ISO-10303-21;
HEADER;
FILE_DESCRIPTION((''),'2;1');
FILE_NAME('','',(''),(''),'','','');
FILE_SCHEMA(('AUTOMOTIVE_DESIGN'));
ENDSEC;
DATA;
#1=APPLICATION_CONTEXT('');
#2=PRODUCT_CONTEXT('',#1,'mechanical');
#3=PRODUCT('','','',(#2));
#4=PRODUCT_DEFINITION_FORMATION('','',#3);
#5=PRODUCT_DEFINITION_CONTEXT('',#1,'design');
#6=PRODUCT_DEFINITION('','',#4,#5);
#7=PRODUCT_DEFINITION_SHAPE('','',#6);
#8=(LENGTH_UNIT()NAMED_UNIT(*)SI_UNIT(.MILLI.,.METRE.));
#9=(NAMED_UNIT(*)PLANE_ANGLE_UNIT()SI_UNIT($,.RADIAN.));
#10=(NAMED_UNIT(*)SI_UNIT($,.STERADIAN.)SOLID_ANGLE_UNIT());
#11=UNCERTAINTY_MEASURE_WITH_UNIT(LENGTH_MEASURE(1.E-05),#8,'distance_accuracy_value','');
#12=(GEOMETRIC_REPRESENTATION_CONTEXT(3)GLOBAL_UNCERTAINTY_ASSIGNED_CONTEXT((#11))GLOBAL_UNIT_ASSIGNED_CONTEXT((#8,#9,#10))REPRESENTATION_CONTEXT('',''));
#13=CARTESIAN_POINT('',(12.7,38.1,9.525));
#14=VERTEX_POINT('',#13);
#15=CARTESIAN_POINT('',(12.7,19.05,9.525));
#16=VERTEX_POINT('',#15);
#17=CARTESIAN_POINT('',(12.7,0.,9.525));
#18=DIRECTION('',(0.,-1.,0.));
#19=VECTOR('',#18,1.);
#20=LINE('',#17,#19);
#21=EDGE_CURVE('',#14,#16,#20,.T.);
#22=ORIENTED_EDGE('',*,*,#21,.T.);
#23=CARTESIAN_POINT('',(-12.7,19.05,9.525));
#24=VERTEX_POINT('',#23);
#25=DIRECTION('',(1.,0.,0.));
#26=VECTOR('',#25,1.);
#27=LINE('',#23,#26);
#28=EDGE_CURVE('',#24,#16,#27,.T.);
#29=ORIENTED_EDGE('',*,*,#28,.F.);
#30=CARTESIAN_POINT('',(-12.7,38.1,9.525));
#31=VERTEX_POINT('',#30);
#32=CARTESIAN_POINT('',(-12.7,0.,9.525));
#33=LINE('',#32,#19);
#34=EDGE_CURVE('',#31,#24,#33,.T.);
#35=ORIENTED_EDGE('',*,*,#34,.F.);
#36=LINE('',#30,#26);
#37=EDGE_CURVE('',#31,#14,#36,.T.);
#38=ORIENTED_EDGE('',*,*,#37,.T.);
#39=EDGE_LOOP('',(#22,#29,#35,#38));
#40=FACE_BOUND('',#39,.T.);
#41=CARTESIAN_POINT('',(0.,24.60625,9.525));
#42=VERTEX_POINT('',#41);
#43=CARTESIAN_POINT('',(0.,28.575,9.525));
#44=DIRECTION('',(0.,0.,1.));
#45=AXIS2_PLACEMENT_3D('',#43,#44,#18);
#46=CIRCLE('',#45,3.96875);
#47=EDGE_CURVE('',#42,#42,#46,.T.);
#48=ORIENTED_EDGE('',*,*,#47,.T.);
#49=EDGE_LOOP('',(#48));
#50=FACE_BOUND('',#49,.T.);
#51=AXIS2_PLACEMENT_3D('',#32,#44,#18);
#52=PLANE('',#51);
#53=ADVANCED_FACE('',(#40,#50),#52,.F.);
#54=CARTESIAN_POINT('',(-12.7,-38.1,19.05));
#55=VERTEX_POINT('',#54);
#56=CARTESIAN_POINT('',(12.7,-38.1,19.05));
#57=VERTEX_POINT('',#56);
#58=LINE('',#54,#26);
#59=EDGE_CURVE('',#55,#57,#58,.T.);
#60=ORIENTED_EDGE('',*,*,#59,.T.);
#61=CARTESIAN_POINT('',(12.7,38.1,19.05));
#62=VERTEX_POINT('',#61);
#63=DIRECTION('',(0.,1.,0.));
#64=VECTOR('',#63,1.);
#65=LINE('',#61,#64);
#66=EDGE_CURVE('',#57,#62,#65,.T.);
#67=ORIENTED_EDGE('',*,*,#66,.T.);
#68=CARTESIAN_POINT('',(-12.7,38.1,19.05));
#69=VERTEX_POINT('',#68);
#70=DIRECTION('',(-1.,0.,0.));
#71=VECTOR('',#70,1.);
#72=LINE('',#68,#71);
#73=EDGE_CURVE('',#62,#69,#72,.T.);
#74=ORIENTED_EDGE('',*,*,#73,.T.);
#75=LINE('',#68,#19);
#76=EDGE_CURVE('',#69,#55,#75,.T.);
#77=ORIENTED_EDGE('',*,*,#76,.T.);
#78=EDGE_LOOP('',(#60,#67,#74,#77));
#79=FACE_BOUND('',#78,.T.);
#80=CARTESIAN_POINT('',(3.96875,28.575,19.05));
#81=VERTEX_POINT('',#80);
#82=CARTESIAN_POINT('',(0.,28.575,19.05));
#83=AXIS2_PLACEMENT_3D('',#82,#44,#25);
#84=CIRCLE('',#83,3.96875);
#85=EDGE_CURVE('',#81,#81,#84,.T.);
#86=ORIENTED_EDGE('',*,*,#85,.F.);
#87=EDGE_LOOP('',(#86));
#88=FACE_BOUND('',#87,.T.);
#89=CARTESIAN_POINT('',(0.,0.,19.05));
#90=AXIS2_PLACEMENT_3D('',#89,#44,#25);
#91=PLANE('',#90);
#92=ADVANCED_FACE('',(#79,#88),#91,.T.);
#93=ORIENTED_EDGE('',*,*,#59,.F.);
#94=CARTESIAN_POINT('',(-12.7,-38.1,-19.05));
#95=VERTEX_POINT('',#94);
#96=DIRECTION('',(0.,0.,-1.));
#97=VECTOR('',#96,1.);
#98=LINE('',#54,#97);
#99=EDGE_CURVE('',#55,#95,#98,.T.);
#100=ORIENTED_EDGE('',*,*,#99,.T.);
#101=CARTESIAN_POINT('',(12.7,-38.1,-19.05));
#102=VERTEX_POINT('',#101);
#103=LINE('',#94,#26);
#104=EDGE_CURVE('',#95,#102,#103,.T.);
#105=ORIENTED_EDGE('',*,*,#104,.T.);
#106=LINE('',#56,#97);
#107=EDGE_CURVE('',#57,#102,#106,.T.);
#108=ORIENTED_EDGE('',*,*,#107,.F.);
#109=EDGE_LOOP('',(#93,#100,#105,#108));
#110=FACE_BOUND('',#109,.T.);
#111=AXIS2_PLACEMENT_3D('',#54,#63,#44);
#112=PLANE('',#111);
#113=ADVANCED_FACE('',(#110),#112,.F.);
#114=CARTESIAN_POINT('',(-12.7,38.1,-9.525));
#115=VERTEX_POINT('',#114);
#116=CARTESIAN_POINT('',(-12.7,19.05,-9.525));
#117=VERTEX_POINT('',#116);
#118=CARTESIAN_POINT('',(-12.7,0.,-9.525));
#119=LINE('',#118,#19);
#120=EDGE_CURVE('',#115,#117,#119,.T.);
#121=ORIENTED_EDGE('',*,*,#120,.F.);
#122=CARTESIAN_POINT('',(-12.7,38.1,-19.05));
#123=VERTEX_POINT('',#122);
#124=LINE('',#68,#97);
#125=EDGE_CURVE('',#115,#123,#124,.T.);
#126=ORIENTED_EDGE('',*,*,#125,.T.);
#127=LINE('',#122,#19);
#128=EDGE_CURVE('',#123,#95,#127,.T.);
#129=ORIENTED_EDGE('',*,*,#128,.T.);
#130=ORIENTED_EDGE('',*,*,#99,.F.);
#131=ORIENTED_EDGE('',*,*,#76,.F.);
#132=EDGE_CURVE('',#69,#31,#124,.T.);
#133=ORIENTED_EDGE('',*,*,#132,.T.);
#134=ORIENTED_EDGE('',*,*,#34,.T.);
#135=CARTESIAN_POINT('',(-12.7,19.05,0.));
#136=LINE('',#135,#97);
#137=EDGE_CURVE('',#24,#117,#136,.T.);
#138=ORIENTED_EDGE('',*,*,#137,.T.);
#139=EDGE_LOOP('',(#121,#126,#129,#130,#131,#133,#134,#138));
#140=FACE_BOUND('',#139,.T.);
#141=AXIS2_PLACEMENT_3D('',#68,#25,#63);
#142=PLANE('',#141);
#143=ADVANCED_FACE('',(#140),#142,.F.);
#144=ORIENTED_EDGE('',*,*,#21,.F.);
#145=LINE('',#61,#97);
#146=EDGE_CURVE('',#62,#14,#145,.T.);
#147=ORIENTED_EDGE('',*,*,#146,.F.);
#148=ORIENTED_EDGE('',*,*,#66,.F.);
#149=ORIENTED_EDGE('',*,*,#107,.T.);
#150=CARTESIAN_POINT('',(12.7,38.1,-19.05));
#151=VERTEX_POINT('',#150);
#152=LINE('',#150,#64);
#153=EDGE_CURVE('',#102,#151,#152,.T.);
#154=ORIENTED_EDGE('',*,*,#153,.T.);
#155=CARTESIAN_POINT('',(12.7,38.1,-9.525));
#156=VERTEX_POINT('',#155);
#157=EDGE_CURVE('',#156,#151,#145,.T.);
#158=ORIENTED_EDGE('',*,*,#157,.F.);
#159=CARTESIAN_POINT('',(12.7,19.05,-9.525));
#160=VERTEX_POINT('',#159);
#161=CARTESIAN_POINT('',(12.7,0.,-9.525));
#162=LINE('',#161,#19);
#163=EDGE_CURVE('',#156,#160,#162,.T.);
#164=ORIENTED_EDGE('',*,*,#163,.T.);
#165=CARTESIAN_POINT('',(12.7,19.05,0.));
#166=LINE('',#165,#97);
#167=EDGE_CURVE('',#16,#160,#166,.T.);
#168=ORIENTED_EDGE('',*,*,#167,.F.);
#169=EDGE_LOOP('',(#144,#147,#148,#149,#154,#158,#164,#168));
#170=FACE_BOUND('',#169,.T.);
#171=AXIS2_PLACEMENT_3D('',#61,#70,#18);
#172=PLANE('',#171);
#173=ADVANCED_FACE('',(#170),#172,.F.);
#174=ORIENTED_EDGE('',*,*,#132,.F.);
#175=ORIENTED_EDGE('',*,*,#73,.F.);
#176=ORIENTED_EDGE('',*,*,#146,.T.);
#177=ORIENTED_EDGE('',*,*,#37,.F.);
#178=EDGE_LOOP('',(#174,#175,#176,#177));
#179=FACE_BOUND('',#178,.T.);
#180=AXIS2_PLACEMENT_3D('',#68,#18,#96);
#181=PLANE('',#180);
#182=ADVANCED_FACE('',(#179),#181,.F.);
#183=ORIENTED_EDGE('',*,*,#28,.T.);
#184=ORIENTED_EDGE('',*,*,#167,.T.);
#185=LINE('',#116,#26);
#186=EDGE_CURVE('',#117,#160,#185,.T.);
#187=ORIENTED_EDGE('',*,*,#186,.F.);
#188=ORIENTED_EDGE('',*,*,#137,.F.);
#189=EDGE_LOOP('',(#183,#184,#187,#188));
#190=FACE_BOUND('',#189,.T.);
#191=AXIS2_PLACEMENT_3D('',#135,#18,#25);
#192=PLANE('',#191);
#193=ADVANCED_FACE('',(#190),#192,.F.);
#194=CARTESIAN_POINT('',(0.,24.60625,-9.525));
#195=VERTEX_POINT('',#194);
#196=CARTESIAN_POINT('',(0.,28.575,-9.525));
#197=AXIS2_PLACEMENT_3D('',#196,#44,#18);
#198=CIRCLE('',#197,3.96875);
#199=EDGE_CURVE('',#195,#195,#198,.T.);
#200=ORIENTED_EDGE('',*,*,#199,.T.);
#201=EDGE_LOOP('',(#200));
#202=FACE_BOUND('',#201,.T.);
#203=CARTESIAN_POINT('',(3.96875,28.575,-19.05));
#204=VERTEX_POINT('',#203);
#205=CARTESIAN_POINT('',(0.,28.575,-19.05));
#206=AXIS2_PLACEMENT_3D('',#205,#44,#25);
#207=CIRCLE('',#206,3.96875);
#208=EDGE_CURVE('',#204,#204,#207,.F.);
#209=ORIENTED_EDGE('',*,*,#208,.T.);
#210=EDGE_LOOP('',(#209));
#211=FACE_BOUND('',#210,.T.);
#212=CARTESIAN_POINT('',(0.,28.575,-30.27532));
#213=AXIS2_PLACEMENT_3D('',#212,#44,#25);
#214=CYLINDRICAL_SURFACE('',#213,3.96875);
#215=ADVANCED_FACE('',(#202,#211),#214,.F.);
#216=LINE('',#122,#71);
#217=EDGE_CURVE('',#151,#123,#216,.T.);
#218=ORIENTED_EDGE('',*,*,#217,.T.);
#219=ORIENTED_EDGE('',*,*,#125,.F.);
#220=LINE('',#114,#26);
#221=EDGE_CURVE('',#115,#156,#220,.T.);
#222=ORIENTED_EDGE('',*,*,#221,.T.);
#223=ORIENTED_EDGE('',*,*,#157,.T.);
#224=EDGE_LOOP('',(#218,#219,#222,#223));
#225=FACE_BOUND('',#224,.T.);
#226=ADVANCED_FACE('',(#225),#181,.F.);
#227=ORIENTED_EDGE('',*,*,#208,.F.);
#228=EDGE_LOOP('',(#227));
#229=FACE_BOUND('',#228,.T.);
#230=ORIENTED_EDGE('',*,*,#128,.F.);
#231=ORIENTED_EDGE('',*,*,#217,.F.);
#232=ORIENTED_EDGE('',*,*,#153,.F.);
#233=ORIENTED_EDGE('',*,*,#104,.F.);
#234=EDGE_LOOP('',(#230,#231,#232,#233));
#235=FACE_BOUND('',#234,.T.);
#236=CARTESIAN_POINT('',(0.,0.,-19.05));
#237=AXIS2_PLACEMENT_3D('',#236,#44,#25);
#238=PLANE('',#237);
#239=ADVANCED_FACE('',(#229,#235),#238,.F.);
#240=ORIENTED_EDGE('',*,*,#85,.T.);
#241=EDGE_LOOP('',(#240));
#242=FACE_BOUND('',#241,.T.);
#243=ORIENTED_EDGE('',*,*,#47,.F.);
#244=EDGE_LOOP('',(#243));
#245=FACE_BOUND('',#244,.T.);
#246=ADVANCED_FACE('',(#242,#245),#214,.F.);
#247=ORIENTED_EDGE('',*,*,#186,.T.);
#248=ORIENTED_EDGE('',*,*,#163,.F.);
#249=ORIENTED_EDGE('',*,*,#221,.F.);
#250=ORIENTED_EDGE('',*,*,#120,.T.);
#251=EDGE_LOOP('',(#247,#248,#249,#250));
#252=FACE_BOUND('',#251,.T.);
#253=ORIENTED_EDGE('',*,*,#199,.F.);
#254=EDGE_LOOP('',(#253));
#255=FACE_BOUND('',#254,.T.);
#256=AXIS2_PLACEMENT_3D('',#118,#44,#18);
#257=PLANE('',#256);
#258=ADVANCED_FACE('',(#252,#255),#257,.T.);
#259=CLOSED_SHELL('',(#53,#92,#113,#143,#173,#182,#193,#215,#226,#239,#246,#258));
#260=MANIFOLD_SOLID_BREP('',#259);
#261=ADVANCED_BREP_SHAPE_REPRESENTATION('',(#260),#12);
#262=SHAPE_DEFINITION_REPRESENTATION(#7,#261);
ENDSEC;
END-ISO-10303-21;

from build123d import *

# Parameters (mm, degrees)
SKETCH1_W           = 25.4
SKETCH1_H           = 76.2
BOSS_EXTRUDE1_DEPTH = 19.05
SKETCH2_W           = 19.05
SKETCH2_H           = 19.05
CUT_EXTRUDE1_DEPTH  = 50.595085442
CUT_EXTRUDE2_REACH  = 57.358
SKETCH4_R           = 3.96875


with BuildPart() as part:
    # Sketch1 → Boss-Extrude1 (new, symmetric)
    with BuildSketch(Plane.XY):
        Rectangle(SKETCH1_W, SKETCH1_H)
    extrude(amount=BOSS_EXTRUDE1_DEPTH, both=True)

    # Sketch2 → Cut-Extrude1 (cut, through all)
    with BuildSketch(Plane(origin=(12.7, 0, 0), x_dir=(0, 0, -1), z_dir=(1, 0, 0))):
        with Locations((0, 28.575)):
            Rectangle(SKETCH2_W, SKETCH2_H)
    extrude(amount=-CUT_EXTRUDE1_DEPTH, mode=Mode.SUBTRACT)

    # Cut-Extrude2: up to this face of the body (flat: up to its plane)
    cut_extrude2_end = Plane(part.part.faces().sort_by_distance((0, 0, -19.05))[0])
    # Sketch4 → Cut-Extrude2 (cut, up to the picked face)
    with BuildSketch(Plane.XY.offset(19.05), mode=Mode.PRIVATE) as cut_extrude2_sk1:
        with Locations((0, 28.575)):
            Circle(SKETCH4_R)
    cut_extrude2_tool1 = split(extrude(cut_extrude2_sk1.sketch, amount=-CUT_EXTRUDE2_REACH, mode=Mode.PRIVATE), bisect_by=cut_extrude2_end, keep=Keep.BOTH, mode=Mode.PRIVATE)
    add(cut_extrude2_tool1.solids().sort_by(Axis((0, 28.575, 19.05), (0, 0, -1)))[0], mode=Mode.SUBTRACT)


solid = part.part
